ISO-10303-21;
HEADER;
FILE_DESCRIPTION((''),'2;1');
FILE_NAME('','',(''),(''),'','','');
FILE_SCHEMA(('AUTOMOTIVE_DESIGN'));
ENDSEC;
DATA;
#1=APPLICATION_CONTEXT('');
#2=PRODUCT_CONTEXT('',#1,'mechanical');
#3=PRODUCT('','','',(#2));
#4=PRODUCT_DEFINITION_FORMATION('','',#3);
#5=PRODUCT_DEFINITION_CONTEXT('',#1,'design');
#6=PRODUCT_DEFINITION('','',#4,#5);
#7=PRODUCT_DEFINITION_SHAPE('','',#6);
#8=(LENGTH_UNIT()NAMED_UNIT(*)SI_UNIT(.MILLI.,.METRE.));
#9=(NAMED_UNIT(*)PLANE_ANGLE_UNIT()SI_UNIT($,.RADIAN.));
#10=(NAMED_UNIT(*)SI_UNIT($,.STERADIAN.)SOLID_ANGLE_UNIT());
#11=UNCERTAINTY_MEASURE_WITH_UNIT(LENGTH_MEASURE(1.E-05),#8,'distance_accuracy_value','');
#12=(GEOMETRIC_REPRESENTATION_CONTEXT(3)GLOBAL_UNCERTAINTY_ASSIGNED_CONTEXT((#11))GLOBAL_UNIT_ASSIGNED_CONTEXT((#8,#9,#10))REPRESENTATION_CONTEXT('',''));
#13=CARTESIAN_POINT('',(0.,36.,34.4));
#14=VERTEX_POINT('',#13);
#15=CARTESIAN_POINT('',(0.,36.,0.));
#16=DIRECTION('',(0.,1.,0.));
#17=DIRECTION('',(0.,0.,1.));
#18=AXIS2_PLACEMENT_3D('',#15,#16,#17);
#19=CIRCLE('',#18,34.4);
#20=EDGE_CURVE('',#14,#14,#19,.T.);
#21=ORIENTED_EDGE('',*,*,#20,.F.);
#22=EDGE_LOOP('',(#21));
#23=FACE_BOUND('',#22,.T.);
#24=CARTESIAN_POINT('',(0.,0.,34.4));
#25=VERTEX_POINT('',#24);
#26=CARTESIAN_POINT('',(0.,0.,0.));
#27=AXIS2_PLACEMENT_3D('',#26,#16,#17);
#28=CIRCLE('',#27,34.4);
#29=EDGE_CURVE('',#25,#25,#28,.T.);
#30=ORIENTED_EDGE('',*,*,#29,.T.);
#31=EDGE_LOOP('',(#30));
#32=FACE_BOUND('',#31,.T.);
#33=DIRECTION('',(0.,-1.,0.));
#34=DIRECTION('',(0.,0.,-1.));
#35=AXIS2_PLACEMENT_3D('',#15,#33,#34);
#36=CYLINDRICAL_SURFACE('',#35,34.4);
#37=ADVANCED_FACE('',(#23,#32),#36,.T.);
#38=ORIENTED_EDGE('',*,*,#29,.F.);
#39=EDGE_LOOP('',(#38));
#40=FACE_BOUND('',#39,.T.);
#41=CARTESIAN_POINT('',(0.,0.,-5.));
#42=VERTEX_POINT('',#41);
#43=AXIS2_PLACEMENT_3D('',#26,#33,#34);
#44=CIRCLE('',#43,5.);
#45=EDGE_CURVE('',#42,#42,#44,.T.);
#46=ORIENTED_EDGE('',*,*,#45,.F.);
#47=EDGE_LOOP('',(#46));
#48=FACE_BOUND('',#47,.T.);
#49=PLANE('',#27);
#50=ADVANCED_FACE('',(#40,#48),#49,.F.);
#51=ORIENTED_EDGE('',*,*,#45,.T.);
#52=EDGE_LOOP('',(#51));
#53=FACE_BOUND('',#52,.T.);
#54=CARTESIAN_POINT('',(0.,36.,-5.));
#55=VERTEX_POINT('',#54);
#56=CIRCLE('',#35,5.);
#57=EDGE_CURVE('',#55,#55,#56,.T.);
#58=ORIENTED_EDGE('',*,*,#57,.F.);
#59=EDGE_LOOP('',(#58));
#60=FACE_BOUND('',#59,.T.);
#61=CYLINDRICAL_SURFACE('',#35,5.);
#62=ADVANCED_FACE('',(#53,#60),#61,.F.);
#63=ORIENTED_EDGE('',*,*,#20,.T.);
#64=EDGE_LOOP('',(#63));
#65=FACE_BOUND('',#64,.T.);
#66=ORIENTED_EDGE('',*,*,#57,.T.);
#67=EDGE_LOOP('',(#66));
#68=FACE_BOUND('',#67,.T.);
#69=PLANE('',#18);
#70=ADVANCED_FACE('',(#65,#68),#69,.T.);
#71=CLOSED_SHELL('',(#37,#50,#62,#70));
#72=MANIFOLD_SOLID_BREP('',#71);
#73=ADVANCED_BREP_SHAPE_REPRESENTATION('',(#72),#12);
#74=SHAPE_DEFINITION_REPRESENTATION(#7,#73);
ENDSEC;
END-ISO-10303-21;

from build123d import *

# Parameters (mm, degrees)
SKETCH1_R           = 34.4
BOSS_EXTRUDE1_DEPTH = 36
SKETCH2_R           = 5.000000033
CUT_EXTRUDE1_DEPTH  = 36


with BuildPart() as part:
    # Sketch1 → Boss-Extrude1 (new body)
    with BuildSketch(Plane(origin=(0, 0, 0), x_dir=(1, 0, 0), z_dir=(0, 1, 0))):
        Circle(SKETCH1_R)
    extrude(amount=BOSS_EXTRUDE1_DEPTH)

    # Sketch2 → Cut-Extrude1 (cut)
    with BuildSketch(Plane.XZ):
        Circle(SKETCH2_R)
    extrude(amount=-CUT_EXTRUDE1_DEPTH, mode=Mode.SUBTRACT)


solid = part.part
